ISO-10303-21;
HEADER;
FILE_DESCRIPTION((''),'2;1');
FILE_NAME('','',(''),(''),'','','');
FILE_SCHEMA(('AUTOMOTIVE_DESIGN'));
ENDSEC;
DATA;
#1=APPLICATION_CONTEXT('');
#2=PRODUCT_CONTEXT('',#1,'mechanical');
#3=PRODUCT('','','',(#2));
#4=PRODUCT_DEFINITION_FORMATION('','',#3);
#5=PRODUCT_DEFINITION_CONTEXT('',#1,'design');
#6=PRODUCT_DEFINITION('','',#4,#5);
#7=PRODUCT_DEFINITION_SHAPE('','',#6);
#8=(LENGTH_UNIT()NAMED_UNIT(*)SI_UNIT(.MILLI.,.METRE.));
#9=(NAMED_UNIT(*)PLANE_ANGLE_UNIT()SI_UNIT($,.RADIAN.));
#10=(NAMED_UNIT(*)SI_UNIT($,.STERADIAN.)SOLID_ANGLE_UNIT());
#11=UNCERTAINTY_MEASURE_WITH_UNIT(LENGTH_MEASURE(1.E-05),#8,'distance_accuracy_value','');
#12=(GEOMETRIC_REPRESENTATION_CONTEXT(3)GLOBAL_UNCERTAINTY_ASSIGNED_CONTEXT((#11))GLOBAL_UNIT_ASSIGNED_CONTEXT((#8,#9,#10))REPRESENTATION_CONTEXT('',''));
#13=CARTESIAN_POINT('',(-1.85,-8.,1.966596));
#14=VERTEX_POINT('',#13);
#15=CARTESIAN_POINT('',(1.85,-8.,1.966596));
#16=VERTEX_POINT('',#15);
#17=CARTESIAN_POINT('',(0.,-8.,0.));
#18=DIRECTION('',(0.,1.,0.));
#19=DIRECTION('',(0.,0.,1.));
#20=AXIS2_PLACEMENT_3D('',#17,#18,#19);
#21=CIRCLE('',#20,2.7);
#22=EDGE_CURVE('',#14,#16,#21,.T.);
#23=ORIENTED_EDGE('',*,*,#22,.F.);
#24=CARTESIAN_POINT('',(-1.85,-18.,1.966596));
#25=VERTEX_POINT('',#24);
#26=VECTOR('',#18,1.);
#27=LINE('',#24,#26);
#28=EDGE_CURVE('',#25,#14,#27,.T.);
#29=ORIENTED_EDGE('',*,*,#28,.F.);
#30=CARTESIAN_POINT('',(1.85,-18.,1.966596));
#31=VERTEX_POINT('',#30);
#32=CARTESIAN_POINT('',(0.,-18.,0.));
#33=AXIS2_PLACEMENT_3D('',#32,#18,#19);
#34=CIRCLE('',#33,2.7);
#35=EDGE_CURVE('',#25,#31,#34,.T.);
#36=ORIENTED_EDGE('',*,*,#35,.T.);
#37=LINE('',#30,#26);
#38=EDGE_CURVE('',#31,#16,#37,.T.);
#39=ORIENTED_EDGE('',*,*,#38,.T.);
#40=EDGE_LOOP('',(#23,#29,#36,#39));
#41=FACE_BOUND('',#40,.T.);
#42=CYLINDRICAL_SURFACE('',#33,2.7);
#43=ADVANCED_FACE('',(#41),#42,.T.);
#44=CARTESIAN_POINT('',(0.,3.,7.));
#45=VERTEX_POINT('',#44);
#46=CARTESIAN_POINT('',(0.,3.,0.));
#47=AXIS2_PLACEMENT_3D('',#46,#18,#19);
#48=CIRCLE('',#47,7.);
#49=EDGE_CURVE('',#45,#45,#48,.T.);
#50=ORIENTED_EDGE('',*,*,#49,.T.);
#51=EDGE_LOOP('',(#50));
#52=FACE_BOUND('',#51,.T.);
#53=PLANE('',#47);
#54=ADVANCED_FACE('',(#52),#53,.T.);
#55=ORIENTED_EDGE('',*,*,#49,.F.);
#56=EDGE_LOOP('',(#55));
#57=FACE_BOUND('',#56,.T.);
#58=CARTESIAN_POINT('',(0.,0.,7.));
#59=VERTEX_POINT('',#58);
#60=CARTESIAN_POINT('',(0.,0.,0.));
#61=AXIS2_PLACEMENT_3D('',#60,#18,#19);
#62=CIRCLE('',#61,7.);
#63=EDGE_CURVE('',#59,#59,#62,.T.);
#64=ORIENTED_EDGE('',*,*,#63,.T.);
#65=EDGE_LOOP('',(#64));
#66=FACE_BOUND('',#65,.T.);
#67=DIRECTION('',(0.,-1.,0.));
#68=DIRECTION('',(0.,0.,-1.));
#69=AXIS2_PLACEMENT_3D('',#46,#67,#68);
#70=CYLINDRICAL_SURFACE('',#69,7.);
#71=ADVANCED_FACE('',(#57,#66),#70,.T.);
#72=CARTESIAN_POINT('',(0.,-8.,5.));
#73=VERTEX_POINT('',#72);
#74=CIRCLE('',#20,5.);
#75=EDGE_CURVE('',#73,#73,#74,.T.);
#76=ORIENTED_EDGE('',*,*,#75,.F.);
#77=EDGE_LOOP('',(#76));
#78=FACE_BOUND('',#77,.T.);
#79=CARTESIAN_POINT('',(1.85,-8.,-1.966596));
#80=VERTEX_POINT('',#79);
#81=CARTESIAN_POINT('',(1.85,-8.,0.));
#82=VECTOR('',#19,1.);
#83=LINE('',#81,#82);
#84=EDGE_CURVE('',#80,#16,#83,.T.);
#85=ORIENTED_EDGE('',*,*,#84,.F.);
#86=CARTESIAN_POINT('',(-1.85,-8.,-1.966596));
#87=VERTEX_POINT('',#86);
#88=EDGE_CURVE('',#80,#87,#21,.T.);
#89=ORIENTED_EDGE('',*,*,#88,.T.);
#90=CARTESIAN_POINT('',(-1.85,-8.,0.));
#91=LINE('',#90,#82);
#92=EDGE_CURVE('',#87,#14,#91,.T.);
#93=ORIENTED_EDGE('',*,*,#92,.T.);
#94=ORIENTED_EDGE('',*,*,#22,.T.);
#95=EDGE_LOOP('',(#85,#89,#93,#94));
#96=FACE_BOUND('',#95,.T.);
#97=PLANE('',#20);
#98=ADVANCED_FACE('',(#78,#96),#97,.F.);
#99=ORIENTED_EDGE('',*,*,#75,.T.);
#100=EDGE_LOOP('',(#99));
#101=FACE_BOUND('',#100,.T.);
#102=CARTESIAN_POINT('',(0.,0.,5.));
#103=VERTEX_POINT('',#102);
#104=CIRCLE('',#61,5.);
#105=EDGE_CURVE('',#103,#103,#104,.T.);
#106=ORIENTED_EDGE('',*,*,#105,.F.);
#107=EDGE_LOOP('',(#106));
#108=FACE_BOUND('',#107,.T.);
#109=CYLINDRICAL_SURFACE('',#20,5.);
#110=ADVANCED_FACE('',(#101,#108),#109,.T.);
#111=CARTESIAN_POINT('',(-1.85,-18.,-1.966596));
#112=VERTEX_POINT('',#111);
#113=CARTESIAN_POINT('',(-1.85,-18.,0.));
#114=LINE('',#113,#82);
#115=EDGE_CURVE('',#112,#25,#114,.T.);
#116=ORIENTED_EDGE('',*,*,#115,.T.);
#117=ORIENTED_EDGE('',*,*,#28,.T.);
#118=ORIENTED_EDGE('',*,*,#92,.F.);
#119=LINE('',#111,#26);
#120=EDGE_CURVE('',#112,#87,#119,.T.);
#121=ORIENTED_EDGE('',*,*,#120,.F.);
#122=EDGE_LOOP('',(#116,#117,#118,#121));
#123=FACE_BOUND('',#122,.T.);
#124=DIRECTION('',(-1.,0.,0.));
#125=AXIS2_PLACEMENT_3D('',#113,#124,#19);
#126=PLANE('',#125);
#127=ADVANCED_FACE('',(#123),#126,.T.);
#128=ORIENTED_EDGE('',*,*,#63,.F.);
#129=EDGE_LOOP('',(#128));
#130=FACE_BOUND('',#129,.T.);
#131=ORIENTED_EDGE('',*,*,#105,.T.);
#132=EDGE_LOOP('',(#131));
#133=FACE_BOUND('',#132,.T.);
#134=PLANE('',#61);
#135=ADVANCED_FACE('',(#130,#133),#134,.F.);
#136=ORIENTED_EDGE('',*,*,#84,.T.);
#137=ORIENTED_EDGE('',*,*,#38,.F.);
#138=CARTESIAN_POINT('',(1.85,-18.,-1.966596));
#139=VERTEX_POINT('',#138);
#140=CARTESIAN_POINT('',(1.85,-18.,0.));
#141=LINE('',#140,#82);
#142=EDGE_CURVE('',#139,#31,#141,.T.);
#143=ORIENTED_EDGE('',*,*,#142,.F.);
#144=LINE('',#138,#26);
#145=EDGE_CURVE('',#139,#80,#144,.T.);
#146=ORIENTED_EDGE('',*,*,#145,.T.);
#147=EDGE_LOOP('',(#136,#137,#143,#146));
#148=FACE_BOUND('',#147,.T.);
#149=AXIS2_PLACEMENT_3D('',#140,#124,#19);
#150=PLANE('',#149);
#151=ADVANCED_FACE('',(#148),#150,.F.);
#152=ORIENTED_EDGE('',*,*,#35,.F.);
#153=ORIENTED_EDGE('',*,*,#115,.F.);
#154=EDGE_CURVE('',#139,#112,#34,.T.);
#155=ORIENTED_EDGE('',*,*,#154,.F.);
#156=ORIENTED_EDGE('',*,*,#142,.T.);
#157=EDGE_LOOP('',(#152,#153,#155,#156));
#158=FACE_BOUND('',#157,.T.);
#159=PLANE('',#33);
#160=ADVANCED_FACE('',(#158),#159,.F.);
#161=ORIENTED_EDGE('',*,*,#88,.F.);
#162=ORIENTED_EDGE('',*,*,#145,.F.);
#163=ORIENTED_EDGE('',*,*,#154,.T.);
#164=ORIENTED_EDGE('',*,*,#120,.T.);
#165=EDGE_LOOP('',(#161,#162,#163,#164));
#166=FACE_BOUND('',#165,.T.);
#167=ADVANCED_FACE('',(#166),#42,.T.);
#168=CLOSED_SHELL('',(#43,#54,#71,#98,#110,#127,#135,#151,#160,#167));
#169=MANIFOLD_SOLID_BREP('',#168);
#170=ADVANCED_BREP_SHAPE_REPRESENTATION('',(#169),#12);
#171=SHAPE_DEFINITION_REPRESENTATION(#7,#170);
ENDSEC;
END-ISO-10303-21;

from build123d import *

# Parameters (mm, degrees)
SKETCH1_R           = 7
SKETCH1_R_2         = 5
BOSS_EXTRUDE1_DEPTH = 3
SKETCH1_3_R         = 5
BOSS_EXTRUDE2_DEPTH = 8
BOSS_EXTRUDE3_START = -8
BOSS_EXTRUDE3_DEPTH = 10


with BuildPart() as part:
    # Sketch1 → Boss-Extrude1 (new body)
    # profile 1 of 4: a face of its own
    with BuildSketch(Plane(origin=(0, 0, 0), x_dir=(1, 0, 0), z_dir=(0, 1, 0))):
        with Locations(Location((0, 0, 0), (0, 0, 270))):
            Circle(SKETCH1_R)
        Circle(SKETCH1_R_2, mode=Mode.SUBTRACT)
    # profile 2 of 4: a face of its own
    with BuildSketch(Plane(origin=(0, 0, 0), x_dir=(1, 0, 0), z_dir=(0, 1, 0))):
        Circle(SKETCH1_R_2)
        with BuildLine():
            ThreePointArc((-1.85, -1.966596044), (0, -2.7), (1.85, -1.966596044))
            Line((1.85, -1.966596044), (1.85, 1.966596044))
            ThreePointArc((1.85, 1.966596044), (0, 2.7), (-1.85, 1.966596044))
            Line((-1.85, 1.966596044), (-1.85, -1.966596044))
        make_face(mode=Mode.SUBTRACT)
    # profile 3 of 4: a face of its own
    with BuildSketch(Plane(origin=(0, 0, 0), x_dir=(1, 0, 0), z_dir=(0, 1, 0))):
        with BuildLine():
            Line((1.85, -1.966596044), (1.85, 1.966596044))
            ThreePointArc((1.85, 1.966596044), (0.995035346, 2.509961087), (0, 2.7))
            Line((0, 2.7), (0, -2.7))
            ThreePointArc((0, -2.7), (0.995035346, -2.509961087), (1.85, -1.966596044))
        make_face()
    # profile 4 of 4: a face of its own
    with BuildSketch(Plane(origin=(0, 0, 0), x_dir=(1, 0, 0), z_dir=(0, 1, 0))):
        with BuildLine():
            Line((0, -2.7), (0, 2.7))
            ThreePointArc((0, 2.7), (-0.995035346, 2.509961087), (-1.85, 1.966596044))
            Line((-1.85, 1.966596044), (-1.85, -1.966596044))
            ThreePointArc((-1.85, -1.966596044), (-0.995035346, -2.509961087), (0, -2.7))
        make_face()
    extrude(amount=BOSS_EXTRUDE1_DEPTH)

    # Sketch1<3> → Boss-Extrude2 (add)
    with BuildSketch(Plane(origin=(0, 0, 0), x_dir=(1, 0, 0), z_dir=(0, 1, 0))):
        with Locations(Location((0, 0, 0), (0, 0, 270))):
            Circle(SKETCH1_3_R)
    extrude(amount=-BOSS_EXTRUDE2_DEPTH)

    # Sketch1<5> → Boss-Extrude3 (add)
    with BuildSketch(Plane(origin=(0, 0, 0), x_dir=(1, 0, 0), z_dir=(0, 1, 0)).offset(BOSS_EXTRUDE3_START)):
        with BuildLine():
            Line((0, -2.7), (0, 2.7))
            ThreePointArc((0, 2.7), (-0.995035346, 2.509961087), (-1.85, 1.966596044))
            Line((-1.85, 1.966596044), (-1.85, -1.966596044))
            ThreePointArc((-1.85, -1.966596044), (-0.995035346, -2.509961087), (0, -2.7))
        make_face()
        with BuildLine():
            Line((1.85, -1.966596044), (1.85, 1.966596044))
            ThreePointArc((1.85, 1.966596044), (0.995035346, 2.509961087), (0, 2.7))
            Line((0, 2.7), (0, -2.7))
            ThreePointArc((0, -2.7), (0.995035346, -2.509961087), (1.85, -1.966596044))
        make_face()
    extrude(amount=-BOSS_EXTRUDE3_DEPTH)


solid = part.part
